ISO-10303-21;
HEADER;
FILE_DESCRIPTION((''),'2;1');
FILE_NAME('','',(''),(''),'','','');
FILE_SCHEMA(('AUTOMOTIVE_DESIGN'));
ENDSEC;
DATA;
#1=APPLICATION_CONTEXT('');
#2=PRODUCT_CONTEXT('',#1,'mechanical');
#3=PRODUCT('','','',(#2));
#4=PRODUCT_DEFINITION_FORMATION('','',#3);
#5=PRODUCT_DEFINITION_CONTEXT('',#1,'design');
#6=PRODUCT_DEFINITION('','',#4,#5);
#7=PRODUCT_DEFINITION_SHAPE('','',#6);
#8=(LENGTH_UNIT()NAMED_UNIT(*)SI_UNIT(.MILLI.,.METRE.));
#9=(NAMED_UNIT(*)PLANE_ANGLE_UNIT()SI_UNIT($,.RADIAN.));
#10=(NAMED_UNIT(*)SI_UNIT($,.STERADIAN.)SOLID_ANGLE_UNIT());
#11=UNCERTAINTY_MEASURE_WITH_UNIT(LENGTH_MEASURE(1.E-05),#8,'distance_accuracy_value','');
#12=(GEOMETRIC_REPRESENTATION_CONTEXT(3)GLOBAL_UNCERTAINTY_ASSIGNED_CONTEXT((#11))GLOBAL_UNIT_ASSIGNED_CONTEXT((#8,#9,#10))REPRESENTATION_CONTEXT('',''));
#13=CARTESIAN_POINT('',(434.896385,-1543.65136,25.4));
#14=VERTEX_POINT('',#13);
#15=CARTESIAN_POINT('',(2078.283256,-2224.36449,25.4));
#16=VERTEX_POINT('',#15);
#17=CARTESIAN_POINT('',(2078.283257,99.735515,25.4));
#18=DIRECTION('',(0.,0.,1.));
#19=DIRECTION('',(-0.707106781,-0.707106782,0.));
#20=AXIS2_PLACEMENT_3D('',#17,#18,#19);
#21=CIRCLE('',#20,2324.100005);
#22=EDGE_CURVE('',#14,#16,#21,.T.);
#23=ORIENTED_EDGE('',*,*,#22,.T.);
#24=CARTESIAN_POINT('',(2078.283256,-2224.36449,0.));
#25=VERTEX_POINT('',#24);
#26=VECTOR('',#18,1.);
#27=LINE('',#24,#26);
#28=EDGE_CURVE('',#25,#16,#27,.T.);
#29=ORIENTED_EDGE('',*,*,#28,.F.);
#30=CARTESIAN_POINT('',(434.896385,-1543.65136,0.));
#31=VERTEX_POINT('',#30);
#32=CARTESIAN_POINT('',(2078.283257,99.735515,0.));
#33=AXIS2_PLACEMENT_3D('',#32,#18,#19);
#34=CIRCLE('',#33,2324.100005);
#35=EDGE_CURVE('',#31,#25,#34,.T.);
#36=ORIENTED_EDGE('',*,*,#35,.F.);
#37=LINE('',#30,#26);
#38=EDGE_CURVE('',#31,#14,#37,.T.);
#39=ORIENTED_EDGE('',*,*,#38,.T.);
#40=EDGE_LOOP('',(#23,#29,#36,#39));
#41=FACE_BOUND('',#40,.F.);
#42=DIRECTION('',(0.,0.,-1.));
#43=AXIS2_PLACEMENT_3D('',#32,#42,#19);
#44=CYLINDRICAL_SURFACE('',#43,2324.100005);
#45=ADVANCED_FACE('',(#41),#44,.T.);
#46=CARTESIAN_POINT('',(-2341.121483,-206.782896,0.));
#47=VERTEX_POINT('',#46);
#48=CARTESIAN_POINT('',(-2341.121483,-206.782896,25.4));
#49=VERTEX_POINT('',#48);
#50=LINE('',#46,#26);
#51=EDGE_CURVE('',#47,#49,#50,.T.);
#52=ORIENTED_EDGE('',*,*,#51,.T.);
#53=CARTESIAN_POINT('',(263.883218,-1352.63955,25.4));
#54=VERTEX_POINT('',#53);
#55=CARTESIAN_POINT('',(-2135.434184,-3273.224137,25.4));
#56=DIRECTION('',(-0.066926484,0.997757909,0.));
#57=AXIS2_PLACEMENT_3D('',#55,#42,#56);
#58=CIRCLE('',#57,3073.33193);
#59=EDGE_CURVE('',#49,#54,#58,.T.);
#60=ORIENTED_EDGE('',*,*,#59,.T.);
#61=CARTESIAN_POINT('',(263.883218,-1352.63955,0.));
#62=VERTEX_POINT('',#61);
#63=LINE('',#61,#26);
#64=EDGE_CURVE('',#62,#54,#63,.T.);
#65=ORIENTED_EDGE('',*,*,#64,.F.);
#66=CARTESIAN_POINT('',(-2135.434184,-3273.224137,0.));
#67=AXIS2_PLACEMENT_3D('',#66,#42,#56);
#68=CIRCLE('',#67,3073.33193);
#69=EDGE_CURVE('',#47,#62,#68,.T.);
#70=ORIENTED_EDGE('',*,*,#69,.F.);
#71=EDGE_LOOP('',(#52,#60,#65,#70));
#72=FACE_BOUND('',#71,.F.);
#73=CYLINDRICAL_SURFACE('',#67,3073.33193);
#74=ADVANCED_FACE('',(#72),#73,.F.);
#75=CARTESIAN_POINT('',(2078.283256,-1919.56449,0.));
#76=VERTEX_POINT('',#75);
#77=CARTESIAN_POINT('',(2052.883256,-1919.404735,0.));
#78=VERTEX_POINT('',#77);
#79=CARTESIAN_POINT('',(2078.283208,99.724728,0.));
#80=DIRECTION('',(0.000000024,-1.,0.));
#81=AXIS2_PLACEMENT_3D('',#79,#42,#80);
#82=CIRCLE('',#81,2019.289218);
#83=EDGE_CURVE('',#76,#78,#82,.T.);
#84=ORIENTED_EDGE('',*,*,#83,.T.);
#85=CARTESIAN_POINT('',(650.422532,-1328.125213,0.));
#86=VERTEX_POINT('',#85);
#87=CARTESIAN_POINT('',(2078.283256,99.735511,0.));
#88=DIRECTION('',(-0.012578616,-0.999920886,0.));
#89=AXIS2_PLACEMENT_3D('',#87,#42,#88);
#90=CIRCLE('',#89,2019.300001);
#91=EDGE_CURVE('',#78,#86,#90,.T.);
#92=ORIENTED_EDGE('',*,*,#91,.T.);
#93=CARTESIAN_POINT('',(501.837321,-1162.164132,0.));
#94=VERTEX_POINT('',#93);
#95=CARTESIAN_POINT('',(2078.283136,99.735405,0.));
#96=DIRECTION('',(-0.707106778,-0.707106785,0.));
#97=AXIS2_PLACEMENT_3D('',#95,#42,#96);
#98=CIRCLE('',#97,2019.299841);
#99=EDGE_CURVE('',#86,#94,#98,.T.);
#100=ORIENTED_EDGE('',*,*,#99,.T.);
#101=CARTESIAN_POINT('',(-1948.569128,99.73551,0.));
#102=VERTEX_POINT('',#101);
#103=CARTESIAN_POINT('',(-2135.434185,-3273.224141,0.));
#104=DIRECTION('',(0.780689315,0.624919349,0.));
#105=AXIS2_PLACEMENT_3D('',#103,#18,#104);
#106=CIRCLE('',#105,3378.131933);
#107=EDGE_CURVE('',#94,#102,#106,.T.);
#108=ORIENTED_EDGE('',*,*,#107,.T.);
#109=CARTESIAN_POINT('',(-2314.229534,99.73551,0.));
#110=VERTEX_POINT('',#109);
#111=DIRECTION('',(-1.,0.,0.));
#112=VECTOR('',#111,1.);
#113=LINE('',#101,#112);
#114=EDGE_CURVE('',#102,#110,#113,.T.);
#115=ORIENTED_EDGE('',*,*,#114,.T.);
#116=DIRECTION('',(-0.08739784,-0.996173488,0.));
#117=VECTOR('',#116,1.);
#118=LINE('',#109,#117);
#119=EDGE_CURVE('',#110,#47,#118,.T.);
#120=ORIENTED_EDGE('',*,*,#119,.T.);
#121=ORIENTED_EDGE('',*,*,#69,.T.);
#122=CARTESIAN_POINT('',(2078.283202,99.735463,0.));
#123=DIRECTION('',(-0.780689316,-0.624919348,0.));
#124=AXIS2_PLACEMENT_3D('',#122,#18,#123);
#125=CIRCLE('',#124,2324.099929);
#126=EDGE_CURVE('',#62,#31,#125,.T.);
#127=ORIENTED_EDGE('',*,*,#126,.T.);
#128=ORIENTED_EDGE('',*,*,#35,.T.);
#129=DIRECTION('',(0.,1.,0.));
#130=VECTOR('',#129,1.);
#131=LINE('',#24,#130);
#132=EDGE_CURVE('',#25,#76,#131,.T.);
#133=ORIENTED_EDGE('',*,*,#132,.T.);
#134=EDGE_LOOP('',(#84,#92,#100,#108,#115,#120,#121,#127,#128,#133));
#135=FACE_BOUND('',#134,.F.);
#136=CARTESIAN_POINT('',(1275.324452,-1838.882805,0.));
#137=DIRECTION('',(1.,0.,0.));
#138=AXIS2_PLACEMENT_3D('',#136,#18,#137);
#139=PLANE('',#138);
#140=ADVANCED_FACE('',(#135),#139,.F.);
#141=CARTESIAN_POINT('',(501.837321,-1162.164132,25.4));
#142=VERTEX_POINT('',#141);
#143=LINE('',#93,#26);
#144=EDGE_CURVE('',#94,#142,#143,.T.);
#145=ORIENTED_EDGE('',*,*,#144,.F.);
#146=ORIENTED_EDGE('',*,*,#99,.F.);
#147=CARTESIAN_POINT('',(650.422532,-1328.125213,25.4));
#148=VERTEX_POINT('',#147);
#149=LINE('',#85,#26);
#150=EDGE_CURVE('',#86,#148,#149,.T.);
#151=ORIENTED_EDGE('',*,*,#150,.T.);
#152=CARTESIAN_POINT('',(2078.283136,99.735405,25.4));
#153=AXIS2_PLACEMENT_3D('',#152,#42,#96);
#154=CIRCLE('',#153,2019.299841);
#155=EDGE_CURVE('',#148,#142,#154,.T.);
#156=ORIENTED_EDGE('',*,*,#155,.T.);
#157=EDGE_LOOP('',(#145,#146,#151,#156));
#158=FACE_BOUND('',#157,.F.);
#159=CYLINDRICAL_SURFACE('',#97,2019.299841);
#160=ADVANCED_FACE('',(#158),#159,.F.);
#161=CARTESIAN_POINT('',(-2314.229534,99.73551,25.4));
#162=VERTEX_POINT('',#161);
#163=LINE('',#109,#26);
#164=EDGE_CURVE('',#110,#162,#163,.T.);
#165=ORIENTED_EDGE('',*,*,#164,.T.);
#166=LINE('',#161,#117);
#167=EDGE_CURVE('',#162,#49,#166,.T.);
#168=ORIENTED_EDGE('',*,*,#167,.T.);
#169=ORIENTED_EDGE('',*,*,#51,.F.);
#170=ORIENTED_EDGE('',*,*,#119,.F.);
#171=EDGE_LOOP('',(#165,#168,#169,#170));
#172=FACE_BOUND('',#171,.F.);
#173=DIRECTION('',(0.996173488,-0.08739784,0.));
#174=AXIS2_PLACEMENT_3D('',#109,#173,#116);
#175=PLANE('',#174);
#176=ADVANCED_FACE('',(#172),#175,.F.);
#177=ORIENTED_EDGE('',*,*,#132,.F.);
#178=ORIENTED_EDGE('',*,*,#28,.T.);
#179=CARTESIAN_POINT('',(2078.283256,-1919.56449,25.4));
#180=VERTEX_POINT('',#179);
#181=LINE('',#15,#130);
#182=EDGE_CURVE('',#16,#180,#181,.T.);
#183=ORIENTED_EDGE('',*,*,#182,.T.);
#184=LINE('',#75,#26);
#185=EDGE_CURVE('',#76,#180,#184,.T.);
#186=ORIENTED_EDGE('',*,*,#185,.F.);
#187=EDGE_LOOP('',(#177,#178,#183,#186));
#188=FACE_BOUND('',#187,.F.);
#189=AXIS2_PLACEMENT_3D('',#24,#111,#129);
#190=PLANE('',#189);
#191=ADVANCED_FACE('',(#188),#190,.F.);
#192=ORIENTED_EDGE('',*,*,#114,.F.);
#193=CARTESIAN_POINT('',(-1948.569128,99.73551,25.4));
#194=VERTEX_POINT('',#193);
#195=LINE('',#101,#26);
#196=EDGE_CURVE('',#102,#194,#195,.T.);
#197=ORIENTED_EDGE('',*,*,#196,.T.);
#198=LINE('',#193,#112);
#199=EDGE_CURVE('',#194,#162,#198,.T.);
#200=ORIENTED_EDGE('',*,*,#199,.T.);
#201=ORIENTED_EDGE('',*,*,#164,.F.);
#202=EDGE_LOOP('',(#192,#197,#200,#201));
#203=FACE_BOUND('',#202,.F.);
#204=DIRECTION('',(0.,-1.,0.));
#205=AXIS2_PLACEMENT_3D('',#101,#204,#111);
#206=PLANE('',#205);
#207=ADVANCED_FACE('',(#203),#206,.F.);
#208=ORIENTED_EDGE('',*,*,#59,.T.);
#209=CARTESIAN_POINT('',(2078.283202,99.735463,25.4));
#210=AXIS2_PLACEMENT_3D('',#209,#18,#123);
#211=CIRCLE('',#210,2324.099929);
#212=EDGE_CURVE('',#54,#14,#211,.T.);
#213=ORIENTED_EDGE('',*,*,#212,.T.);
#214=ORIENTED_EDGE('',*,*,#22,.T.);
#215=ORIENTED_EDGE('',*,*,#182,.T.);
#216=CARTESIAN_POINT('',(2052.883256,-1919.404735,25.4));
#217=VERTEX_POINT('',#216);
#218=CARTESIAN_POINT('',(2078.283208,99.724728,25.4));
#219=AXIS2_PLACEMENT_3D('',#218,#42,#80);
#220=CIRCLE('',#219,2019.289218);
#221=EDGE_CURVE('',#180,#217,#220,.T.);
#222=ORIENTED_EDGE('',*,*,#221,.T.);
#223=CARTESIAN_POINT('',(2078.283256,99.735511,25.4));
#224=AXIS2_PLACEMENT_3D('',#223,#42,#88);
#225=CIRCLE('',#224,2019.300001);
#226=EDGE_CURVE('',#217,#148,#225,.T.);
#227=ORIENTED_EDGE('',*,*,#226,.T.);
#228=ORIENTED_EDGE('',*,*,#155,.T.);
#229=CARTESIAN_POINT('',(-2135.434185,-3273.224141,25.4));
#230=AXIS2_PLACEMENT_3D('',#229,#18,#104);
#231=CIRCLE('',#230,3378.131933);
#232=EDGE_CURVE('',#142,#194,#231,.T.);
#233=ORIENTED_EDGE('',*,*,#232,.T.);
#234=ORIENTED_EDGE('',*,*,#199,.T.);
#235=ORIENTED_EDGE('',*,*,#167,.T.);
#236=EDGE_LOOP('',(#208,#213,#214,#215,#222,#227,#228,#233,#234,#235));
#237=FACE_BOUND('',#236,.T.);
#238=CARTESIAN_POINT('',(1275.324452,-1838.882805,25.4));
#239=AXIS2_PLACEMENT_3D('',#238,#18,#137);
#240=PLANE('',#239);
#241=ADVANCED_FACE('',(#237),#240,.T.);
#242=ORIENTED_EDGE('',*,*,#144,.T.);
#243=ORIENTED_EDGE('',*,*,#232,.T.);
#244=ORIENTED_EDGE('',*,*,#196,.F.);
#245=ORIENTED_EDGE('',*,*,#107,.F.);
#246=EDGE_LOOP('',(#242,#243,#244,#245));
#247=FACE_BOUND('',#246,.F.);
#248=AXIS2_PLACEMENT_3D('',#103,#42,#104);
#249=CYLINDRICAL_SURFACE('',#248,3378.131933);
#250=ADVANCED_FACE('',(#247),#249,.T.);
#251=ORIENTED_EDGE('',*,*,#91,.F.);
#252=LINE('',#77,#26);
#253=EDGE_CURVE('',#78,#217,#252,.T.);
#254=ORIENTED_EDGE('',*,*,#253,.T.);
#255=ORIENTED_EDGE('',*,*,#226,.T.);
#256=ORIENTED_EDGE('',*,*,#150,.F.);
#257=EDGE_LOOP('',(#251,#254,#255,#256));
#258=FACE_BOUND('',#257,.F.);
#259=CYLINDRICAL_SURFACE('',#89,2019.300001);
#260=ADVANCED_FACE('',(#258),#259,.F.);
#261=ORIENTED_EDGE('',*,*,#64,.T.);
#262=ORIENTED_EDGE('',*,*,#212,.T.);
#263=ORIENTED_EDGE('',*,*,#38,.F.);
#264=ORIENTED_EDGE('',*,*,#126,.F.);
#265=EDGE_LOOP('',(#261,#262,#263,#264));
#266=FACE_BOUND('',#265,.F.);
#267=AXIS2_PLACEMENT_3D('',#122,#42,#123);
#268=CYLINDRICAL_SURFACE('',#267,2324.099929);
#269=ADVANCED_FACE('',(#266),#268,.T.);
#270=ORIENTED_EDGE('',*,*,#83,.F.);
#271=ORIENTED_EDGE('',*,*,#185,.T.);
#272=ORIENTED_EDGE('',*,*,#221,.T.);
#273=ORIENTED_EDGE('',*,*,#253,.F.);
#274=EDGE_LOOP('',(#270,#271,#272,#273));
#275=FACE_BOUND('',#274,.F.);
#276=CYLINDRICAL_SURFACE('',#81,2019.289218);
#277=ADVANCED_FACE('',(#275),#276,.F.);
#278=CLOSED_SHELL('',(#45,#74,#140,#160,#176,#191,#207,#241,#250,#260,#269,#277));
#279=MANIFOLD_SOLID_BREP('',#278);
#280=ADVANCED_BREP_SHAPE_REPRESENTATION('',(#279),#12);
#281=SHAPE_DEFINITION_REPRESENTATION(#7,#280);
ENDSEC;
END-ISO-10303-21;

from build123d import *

# Parameters (mm, degrees)
F1_DEPTH = 25.4
F2_DEPTH = 25.4


with BuildPart() as f1:
    # F0 (on Top) → F1 (new body)
    with BuildSketch(Plane.XY):
        with BuildLine():
            Line((-1948.569128, 99.73551), (-2314.229534, 99.73551))
            Line((-2314.229534, 99.73551), (-2341.121483, -206.782896))
            ThreePointArc((-2341.121483, -206.782896), (-897.997266, -460.019732), (263.883218, -1352.63955))
            ThreePointArc((263.883218, -1352.63955), (346.753887, -1450.505393), (434.896385, -1543.65136))
            Line((434.896385, -1543.65136), (650.422532, -1328.125213))
            ThreePointArc((650.422532, -1328.125213), (573.839706, -1247.195111), (501.837321, -1162.164132))
            ThreePointArc((501.837321, -1162.164132), (-588.813834, -269.935802), (-1948.569128, 99.73551))
        make_face()
    extrude(amount=F1_DEPTH)

    # F0 (on Top) → F2 (join)
    with BuildSketch(Plane.XY):
        with BuildLine():
            ThreePointArc((2052.883256, -1919.404735), (1293.812382, -1760.957355), (650.422532, -1328.125213))
            Line((650.422532, -1328.125213), (434.896385, -1543.65136))
            ThreePointArc((434.896385, -1543.65136), (1188.88869, -2047.452911), (2078.283256, -2224.36449))
            Line((2078.283256, -2224.36449), (2078.283256, -1919.56449))
            ThreePointArc((2078.283256, -1919.56449), (2065.583004, -1919.524551), (2052.883256, -1919.404735))
        make_face()
    extrude(amount=F2_DEPTH)


solid = f1.part
